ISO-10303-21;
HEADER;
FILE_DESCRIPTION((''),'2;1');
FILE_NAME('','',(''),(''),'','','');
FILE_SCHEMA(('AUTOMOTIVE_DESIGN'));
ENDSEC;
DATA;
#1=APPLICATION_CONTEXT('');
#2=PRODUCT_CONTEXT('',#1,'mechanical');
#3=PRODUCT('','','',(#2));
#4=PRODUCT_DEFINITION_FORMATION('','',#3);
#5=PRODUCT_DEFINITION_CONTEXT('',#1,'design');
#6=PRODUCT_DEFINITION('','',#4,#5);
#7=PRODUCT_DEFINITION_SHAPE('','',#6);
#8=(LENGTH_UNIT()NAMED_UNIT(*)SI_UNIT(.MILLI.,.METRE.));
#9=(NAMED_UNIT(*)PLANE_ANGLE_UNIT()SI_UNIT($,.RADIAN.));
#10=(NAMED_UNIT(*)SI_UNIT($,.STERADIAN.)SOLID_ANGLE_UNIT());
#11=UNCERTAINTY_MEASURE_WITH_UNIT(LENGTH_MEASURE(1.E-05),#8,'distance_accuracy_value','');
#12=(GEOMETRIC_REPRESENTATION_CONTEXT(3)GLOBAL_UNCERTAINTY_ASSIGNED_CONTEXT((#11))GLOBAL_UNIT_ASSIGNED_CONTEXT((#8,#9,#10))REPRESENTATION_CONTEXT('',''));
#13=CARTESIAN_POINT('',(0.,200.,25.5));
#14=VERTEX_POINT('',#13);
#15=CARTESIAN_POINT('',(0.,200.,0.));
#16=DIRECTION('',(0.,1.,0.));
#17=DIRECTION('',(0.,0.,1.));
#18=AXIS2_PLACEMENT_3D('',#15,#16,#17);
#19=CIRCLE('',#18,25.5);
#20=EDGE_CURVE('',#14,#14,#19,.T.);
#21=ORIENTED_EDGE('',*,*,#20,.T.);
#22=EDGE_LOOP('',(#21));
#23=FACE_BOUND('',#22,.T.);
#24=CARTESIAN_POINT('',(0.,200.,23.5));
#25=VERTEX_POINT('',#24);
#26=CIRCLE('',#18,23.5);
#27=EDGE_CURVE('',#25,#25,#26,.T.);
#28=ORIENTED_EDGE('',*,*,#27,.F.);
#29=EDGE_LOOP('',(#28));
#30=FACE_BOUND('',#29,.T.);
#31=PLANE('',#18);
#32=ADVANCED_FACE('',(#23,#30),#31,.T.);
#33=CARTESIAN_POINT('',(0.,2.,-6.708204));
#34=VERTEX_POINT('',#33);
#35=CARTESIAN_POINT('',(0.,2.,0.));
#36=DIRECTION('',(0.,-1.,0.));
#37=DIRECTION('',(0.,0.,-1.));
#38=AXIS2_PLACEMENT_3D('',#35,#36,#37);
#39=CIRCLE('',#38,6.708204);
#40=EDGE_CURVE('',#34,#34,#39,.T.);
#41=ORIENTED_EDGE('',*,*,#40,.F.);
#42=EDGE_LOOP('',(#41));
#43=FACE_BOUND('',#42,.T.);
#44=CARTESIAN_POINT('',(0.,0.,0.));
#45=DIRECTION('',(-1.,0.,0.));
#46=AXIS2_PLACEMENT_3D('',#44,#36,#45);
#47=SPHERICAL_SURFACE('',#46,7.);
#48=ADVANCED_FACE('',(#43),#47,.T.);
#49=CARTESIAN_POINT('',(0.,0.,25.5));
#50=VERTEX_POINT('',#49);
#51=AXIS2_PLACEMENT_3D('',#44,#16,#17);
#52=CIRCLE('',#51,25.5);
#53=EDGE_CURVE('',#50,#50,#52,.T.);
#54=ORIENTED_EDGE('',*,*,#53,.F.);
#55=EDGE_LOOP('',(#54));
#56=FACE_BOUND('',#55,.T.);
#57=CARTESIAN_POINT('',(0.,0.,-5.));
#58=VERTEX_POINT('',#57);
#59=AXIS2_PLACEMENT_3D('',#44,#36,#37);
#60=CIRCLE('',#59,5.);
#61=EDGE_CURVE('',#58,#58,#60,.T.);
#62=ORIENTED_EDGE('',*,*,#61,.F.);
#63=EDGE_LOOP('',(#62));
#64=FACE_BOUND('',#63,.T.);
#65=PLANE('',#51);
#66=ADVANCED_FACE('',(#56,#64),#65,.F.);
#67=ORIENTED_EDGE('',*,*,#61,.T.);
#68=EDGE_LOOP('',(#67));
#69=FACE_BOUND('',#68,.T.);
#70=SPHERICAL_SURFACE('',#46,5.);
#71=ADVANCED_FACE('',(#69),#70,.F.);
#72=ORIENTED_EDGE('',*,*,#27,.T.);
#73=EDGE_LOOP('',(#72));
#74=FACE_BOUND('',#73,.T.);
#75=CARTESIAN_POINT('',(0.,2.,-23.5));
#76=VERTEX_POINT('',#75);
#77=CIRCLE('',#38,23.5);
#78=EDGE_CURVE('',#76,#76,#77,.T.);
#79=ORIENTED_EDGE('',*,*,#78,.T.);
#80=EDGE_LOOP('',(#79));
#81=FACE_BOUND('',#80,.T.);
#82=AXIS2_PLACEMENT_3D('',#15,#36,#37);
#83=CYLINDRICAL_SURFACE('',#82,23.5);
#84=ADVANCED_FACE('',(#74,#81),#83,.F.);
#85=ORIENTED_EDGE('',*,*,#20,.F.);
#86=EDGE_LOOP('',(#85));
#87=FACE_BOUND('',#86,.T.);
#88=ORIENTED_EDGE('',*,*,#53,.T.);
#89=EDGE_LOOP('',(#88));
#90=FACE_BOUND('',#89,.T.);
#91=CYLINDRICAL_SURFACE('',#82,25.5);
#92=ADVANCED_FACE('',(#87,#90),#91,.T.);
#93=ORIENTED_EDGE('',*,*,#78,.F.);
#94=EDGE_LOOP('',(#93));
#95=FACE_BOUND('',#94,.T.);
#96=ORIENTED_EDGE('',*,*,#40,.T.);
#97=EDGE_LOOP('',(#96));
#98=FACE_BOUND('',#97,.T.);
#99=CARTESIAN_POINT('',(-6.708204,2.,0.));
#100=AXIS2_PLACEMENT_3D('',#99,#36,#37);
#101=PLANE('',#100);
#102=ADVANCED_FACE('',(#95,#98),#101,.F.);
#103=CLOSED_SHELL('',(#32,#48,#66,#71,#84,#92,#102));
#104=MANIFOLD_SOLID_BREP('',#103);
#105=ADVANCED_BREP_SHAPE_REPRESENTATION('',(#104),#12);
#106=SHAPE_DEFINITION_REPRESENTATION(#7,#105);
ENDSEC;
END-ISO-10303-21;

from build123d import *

# Parameters (mm, degrees)
SKETCH1_R           = 25.5
SKETCH1_R_2         = 23.5
BOSS_EXTRUDE1_DEPTH = 200


with BuildPart() as part:
    # Sketch1 → Boss-Extrude1 (new body)
    with BuildSketch(Plane(origin=(0, 0, 0), x_dir=(1, 0, 0), z_dir=(0, 1, 0))):
        Circle(SKETCH1_R)
        Circle(SKETCH1_R_2, mode=Mode.SUBTRACT)
    extrude(amount=BOSS_EXTRUDE1_DEPTH)

    # Sketch2 → Revolve1 (revolve)
    with BuildSketch(Plane.XY):
        with BuildLine():
            Line((-23.5, 0), (-5, 0))
            ThreePointArc((-5, 0), (-3.535533906, 3.535533906), (0, 5))
            Line((0, 5), (0, 7))
            ThreePointArc((0, 7), (-4.183300133, 5.61248608), (-6.708203932, 2))
            Line((-6.708203932, 2), (-23.5, 2))
            Line((-23.5, 2), (-23.5, 0))
        make_face()
    revolve(axis=Axis((0, 5, 0), (0, 1, 0)))


solid = part.part
